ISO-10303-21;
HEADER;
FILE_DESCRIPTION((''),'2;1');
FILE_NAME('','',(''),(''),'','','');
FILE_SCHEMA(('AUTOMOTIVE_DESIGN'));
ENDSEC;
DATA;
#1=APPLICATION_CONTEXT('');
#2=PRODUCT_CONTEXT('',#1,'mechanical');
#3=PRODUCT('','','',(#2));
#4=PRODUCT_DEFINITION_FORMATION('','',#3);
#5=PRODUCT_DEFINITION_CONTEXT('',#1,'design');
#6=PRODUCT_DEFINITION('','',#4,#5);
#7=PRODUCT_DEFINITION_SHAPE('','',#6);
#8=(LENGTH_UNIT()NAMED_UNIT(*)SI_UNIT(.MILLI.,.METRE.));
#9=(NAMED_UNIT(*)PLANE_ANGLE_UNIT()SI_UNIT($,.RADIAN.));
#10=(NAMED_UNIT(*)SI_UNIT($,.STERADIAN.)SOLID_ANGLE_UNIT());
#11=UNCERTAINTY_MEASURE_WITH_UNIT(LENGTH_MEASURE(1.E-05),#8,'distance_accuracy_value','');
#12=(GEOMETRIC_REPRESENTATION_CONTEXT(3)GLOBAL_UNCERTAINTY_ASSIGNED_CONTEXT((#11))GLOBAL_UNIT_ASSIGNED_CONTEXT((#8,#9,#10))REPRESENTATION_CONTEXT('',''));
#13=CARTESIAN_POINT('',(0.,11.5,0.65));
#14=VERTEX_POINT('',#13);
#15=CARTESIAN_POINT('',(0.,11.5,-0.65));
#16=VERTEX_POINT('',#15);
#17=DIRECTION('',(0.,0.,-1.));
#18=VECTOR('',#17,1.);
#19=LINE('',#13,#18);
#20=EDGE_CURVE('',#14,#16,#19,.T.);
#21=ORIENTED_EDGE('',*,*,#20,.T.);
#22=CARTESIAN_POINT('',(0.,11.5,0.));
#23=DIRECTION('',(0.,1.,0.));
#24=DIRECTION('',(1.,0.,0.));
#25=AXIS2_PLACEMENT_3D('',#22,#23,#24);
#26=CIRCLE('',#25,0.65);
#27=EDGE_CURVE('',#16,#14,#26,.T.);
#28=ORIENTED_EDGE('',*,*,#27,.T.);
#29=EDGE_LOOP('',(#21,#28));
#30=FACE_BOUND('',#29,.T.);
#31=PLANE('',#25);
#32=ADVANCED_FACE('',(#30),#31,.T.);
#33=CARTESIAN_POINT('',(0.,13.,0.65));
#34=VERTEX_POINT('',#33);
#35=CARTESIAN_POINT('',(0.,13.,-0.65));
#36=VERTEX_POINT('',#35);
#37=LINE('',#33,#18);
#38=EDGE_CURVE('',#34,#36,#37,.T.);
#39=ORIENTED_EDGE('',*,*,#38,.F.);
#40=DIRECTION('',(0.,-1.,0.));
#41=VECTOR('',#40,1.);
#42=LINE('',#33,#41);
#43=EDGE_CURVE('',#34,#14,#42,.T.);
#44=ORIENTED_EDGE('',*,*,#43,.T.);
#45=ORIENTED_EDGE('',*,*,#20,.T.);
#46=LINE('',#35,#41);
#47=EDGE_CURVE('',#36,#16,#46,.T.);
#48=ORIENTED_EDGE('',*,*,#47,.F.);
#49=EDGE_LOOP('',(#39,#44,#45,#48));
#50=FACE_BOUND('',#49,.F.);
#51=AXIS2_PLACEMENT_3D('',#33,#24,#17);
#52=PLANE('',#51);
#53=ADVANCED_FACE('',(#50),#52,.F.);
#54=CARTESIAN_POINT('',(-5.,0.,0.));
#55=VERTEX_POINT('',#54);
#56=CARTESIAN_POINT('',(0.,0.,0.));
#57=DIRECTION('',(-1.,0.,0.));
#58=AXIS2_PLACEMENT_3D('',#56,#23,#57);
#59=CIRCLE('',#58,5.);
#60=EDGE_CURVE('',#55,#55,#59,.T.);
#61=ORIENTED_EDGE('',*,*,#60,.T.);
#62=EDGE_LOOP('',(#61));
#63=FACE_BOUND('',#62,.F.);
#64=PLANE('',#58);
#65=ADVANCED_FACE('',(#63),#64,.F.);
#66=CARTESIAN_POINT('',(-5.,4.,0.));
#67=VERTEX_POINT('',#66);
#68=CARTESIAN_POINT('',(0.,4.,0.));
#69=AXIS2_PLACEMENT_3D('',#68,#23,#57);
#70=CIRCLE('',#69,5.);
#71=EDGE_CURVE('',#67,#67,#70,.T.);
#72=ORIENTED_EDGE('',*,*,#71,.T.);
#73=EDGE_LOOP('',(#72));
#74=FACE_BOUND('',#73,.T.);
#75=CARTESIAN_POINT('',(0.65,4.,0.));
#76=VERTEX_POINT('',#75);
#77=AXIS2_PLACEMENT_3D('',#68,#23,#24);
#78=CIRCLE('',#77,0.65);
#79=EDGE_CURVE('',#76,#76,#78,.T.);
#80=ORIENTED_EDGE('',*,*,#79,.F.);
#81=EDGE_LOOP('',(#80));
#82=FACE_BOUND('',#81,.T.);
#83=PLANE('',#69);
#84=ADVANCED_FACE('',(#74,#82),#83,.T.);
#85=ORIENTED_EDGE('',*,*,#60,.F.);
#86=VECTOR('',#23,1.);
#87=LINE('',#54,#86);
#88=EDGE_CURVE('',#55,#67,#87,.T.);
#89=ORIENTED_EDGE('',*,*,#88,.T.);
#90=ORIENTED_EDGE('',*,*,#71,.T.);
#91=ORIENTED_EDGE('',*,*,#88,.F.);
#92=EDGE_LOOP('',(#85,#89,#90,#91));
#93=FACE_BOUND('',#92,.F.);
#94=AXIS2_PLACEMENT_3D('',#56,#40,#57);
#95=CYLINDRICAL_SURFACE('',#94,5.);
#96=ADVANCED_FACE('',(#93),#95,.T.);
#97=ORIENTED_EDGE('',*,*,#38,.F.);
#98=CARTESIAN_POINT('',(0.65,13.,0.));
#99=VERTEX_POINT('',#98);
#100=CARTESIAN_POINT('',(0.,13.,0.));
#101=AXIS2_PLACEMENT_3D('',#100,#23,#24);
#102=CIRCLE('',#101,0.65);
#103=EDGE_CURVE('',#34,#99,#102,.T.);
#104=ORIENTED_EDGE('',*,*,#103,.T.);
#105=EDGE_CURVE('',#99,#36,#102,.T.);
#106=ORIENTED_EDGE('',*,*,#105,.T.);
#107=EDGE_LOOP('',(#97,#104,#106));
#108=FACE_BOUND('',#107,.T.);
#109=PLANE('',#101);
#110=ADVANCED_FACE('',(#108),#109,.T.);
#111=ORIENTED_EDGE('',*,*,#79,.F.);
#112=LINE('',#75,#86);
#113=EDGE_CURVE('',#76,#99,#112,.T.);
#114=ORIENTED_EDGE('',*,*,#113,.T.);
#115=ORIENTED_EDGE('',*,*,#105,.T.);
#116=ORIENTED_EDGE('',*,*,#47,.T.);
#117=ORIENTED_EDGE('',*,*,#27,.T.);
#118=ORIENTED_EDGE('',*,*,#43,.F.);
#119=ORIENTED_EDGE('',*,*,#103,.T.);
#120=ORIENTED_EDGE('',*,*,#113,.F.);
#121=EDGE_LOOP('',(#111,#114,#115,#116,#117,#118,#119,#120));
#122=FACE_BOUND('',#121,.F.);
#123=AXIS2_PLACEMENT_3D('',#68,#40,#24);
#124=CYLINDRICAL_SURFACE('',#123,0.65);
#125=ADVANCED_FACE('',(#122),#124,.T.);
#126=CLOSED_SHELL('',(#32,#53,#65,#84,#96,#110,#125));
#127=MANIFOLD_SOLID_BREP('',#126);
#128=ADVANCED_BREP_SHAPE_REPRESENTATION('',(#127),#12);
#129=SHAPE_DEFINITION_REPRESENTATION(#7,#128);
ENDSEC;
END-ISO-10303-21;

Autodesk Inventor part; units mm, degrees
ref_plane "YZ Plane" through (0, 0, 0) normal (1, 0, 0) x (0, 1, 0)
ref_plane "XZ Plane" through (0, 0, 0) normal (0, 1, 0) x (-1, 0, 0)
ref_plane "XY Plane" through (0, 0, 0) normal (0, 0, 1) x (1, 0, 0)
sketch "Boceto1" plane through (0, 0, 0) normal (0, 1, 0) x (-1, 0, 0)
  circle A0 centre (0, 0) radius 5
  dimension "d0" = 10
extrude "Extrusión1" add sketch "Boceto1" along normal blind 4
sketch "Boceto2" plane through (0, 4, 0) normal (0, 1, 0) x (1, 0, 0)
  circle A0 centre (0, 0) radius 0.65
  dimension "d3" = 1.3
extrude "Extrusión2" add sketch "Boceto2" along normal blind 9
sketch "Boceto3" plane through (0, 13, 0) normal (0, 1, 0) x (1, 0, 0)
  circle A0 centre (0, 0) radius 0.65 projected
  line L0 (0, -0.65) -> (0, 0.65)
  circle A1 centre (0, 0) radius 0.65 projected
extrude "Extrusión3" cut sketch "Boceto3" against normal blind 1.5 contours L0 A0 picked at (-0.0519, -0.2104)
properties part number "ServoPot"
